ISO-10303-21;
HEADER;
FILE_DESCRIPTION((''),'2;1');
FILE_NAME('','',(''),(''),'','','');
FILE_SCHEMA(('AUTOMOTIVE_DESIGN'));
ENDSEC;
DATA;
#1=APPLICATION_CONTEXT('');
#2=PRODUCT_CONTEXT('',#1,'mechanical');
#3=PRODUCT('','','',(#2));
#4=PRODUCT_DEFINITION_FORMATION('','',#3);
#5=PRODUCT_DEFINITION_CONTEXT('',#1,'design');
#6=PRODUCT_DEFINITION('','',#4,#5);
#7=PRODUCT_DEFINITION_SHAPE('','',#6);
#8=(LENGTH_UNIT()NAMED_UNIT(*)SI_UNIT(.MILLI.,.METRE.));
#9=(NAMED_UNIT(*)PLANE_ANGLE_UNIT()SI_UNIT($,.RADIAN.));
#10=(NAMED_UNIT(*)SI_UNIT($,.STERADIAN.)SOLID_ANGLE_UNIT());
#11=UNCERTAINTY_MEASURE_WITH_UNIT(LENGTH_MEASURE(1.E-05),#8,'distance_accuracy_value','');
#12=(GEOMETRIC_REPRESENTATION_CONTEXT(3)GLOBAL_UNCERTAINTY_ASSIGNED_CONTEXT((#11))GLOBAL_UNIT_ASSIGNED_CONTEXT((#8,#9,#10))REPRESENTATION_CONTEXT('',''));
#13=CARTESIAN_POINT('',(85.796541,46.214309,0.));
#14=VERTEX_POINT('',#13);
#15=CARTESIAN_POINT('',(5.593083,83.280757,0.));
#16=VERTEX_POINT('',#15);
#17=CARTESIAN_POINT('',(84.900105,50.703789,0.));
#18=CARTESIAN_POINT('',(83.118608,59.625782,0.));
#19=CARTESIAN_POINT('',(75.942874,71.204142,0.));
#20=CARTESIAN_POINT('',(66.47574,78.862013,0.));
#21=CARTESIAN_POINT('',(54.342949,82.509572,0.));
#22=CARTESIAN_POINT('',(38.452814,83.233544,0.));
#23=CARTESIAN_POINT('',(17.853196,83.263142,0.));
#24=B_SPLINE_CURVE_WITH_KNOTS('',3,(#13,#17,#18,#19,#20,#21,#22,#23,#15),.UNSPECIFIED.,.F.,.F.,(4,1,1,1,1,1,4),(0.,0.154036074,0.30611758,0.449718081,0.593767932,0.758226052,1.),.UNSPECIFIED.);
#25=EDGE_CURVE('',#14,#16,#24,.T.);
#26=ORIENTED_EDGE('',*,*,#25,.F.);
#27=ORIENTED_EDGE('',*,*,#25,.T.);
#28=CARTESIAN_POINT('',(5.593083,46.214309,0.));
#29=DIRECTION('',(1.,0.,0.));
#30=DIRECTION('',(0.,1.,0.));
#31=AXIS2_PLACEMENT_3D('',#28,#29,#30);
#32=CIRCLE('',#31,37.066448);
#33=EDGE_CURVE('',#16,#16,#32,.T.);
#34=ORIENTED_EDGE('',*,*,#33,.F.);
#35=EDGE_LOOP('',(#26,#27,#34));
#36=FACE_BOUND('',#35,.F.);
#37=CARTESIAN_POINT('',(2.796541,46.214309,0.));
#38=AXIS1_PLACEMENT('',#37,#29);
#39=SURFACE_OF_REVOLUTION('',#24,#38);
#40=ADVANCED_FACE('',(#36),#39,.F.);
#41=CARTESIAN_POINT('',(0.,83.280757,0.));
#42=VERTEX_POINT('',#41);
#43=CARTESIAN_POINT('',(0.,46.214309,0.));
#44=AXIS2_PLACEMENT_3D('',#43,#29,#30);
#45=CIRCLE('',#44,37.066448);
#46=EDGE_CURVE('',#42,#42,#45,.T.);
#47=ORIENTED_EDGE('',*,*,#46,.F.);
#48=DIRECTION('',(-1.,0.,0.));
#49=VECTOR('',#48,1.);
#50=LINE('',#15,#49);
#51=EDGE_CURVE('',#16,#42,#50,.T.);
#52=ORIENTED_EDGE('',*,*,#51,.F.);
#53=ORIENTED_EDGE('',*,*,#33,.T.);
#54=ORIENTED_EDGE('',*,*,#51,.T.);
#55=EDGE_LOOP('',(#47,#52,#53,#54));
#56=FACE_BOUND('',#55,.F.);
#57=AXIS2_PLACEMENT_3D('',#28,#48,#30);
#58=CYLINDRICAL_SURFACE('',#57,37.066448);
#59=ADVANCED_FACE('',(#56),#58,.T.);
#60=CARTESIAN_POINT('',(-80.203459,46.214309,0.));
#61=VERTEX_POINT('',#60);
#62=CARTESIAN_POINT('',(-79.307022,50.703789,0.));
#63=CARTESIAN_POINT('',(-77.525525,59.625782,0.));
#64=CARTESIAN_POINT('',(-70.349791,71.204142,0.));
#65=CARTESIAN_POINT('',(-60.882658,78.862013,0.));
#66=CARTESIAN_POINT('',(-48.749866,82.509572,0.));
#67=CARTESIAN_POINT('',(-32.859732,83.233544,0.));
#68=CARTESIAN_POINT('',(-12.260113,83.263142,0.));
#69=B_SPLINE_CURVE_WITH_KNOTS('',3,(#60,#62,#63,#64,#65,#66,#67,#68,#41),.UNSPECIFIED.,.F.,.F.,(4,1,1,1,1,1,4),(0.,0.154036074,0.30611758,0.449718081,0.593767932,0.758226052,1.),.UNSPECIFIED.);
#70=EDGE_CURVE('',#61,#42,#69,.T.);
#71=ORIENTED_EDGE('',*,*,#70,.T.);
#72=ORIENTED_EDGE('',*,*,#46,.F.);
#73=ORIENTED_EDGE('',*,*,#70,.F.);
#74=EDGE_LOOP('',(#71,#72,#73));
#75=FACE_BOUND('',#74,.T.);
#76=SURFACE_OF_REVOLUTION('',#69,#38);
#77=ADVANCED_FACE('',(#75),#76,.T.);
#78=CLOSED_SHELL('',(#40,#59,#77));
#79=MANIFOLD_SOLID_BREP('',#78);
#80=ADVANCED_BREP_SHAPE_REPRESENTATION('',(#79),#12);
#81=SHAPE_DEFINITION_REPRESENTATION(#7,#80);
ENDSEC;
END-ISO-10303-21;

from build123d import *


with BuildPart() as f1:
    # F0 (on Top) → F1 (revolve)
    with BuildSketch(Plane.XY):
        with BuildLine():
            add(Edge.make_bspline(
                [(-80.2034586668, 46.2143085897), (-79.3070224308, 50.703788856), (-77.5255248572, 59.6257822779), (-70.3497910225, 71.2041416523), (-60.8826577613, 78.8620129167), (-48.7498658973, 82.5095720659), (-32.8597316459, 83.2335436317), (-12.2601130923, 83.2631415244), (0, 83.2807570696)],
                knots=[0, 0, 0, 0, 0.1540360735, 0.30611758, 0.4497180806, 0.5937679317, 0.7582260523, 1, 1, 1, 1], degree=3))
            Line((-80.2034586668, 46.2143085897), (85.7965413332, 46.2143085897))
            add(Edge.make_bspline(
                [(85.7965413332, 46.2143085897), (84.9001050972, 50.703788856), (83.1186075236, 59.6257822779), (75.9428736889, 71.2041416523), (66.4757404277, 78.8620129167), (54.3429485637, 82.5095720659), (38.4528143123, 83.2335436317), (17.8531957587, 83.2631415244), (5.5930826664, 83.2807570696)],
                knots=[0, 0, 0, 0, 0.1540360735, 0.30611758, 0.4497180806, 0.5937679317, 0.7582260523, 1, 1, 1, 1], degree=3))
            Line((5.5930826664, 83.2807570696), (0, 83.2807570696))
        make_face()
    revolve(axis=Axis((2.7965413332, 46.2143085897, 0), (1, 0, 0)))


solid = f1.part
